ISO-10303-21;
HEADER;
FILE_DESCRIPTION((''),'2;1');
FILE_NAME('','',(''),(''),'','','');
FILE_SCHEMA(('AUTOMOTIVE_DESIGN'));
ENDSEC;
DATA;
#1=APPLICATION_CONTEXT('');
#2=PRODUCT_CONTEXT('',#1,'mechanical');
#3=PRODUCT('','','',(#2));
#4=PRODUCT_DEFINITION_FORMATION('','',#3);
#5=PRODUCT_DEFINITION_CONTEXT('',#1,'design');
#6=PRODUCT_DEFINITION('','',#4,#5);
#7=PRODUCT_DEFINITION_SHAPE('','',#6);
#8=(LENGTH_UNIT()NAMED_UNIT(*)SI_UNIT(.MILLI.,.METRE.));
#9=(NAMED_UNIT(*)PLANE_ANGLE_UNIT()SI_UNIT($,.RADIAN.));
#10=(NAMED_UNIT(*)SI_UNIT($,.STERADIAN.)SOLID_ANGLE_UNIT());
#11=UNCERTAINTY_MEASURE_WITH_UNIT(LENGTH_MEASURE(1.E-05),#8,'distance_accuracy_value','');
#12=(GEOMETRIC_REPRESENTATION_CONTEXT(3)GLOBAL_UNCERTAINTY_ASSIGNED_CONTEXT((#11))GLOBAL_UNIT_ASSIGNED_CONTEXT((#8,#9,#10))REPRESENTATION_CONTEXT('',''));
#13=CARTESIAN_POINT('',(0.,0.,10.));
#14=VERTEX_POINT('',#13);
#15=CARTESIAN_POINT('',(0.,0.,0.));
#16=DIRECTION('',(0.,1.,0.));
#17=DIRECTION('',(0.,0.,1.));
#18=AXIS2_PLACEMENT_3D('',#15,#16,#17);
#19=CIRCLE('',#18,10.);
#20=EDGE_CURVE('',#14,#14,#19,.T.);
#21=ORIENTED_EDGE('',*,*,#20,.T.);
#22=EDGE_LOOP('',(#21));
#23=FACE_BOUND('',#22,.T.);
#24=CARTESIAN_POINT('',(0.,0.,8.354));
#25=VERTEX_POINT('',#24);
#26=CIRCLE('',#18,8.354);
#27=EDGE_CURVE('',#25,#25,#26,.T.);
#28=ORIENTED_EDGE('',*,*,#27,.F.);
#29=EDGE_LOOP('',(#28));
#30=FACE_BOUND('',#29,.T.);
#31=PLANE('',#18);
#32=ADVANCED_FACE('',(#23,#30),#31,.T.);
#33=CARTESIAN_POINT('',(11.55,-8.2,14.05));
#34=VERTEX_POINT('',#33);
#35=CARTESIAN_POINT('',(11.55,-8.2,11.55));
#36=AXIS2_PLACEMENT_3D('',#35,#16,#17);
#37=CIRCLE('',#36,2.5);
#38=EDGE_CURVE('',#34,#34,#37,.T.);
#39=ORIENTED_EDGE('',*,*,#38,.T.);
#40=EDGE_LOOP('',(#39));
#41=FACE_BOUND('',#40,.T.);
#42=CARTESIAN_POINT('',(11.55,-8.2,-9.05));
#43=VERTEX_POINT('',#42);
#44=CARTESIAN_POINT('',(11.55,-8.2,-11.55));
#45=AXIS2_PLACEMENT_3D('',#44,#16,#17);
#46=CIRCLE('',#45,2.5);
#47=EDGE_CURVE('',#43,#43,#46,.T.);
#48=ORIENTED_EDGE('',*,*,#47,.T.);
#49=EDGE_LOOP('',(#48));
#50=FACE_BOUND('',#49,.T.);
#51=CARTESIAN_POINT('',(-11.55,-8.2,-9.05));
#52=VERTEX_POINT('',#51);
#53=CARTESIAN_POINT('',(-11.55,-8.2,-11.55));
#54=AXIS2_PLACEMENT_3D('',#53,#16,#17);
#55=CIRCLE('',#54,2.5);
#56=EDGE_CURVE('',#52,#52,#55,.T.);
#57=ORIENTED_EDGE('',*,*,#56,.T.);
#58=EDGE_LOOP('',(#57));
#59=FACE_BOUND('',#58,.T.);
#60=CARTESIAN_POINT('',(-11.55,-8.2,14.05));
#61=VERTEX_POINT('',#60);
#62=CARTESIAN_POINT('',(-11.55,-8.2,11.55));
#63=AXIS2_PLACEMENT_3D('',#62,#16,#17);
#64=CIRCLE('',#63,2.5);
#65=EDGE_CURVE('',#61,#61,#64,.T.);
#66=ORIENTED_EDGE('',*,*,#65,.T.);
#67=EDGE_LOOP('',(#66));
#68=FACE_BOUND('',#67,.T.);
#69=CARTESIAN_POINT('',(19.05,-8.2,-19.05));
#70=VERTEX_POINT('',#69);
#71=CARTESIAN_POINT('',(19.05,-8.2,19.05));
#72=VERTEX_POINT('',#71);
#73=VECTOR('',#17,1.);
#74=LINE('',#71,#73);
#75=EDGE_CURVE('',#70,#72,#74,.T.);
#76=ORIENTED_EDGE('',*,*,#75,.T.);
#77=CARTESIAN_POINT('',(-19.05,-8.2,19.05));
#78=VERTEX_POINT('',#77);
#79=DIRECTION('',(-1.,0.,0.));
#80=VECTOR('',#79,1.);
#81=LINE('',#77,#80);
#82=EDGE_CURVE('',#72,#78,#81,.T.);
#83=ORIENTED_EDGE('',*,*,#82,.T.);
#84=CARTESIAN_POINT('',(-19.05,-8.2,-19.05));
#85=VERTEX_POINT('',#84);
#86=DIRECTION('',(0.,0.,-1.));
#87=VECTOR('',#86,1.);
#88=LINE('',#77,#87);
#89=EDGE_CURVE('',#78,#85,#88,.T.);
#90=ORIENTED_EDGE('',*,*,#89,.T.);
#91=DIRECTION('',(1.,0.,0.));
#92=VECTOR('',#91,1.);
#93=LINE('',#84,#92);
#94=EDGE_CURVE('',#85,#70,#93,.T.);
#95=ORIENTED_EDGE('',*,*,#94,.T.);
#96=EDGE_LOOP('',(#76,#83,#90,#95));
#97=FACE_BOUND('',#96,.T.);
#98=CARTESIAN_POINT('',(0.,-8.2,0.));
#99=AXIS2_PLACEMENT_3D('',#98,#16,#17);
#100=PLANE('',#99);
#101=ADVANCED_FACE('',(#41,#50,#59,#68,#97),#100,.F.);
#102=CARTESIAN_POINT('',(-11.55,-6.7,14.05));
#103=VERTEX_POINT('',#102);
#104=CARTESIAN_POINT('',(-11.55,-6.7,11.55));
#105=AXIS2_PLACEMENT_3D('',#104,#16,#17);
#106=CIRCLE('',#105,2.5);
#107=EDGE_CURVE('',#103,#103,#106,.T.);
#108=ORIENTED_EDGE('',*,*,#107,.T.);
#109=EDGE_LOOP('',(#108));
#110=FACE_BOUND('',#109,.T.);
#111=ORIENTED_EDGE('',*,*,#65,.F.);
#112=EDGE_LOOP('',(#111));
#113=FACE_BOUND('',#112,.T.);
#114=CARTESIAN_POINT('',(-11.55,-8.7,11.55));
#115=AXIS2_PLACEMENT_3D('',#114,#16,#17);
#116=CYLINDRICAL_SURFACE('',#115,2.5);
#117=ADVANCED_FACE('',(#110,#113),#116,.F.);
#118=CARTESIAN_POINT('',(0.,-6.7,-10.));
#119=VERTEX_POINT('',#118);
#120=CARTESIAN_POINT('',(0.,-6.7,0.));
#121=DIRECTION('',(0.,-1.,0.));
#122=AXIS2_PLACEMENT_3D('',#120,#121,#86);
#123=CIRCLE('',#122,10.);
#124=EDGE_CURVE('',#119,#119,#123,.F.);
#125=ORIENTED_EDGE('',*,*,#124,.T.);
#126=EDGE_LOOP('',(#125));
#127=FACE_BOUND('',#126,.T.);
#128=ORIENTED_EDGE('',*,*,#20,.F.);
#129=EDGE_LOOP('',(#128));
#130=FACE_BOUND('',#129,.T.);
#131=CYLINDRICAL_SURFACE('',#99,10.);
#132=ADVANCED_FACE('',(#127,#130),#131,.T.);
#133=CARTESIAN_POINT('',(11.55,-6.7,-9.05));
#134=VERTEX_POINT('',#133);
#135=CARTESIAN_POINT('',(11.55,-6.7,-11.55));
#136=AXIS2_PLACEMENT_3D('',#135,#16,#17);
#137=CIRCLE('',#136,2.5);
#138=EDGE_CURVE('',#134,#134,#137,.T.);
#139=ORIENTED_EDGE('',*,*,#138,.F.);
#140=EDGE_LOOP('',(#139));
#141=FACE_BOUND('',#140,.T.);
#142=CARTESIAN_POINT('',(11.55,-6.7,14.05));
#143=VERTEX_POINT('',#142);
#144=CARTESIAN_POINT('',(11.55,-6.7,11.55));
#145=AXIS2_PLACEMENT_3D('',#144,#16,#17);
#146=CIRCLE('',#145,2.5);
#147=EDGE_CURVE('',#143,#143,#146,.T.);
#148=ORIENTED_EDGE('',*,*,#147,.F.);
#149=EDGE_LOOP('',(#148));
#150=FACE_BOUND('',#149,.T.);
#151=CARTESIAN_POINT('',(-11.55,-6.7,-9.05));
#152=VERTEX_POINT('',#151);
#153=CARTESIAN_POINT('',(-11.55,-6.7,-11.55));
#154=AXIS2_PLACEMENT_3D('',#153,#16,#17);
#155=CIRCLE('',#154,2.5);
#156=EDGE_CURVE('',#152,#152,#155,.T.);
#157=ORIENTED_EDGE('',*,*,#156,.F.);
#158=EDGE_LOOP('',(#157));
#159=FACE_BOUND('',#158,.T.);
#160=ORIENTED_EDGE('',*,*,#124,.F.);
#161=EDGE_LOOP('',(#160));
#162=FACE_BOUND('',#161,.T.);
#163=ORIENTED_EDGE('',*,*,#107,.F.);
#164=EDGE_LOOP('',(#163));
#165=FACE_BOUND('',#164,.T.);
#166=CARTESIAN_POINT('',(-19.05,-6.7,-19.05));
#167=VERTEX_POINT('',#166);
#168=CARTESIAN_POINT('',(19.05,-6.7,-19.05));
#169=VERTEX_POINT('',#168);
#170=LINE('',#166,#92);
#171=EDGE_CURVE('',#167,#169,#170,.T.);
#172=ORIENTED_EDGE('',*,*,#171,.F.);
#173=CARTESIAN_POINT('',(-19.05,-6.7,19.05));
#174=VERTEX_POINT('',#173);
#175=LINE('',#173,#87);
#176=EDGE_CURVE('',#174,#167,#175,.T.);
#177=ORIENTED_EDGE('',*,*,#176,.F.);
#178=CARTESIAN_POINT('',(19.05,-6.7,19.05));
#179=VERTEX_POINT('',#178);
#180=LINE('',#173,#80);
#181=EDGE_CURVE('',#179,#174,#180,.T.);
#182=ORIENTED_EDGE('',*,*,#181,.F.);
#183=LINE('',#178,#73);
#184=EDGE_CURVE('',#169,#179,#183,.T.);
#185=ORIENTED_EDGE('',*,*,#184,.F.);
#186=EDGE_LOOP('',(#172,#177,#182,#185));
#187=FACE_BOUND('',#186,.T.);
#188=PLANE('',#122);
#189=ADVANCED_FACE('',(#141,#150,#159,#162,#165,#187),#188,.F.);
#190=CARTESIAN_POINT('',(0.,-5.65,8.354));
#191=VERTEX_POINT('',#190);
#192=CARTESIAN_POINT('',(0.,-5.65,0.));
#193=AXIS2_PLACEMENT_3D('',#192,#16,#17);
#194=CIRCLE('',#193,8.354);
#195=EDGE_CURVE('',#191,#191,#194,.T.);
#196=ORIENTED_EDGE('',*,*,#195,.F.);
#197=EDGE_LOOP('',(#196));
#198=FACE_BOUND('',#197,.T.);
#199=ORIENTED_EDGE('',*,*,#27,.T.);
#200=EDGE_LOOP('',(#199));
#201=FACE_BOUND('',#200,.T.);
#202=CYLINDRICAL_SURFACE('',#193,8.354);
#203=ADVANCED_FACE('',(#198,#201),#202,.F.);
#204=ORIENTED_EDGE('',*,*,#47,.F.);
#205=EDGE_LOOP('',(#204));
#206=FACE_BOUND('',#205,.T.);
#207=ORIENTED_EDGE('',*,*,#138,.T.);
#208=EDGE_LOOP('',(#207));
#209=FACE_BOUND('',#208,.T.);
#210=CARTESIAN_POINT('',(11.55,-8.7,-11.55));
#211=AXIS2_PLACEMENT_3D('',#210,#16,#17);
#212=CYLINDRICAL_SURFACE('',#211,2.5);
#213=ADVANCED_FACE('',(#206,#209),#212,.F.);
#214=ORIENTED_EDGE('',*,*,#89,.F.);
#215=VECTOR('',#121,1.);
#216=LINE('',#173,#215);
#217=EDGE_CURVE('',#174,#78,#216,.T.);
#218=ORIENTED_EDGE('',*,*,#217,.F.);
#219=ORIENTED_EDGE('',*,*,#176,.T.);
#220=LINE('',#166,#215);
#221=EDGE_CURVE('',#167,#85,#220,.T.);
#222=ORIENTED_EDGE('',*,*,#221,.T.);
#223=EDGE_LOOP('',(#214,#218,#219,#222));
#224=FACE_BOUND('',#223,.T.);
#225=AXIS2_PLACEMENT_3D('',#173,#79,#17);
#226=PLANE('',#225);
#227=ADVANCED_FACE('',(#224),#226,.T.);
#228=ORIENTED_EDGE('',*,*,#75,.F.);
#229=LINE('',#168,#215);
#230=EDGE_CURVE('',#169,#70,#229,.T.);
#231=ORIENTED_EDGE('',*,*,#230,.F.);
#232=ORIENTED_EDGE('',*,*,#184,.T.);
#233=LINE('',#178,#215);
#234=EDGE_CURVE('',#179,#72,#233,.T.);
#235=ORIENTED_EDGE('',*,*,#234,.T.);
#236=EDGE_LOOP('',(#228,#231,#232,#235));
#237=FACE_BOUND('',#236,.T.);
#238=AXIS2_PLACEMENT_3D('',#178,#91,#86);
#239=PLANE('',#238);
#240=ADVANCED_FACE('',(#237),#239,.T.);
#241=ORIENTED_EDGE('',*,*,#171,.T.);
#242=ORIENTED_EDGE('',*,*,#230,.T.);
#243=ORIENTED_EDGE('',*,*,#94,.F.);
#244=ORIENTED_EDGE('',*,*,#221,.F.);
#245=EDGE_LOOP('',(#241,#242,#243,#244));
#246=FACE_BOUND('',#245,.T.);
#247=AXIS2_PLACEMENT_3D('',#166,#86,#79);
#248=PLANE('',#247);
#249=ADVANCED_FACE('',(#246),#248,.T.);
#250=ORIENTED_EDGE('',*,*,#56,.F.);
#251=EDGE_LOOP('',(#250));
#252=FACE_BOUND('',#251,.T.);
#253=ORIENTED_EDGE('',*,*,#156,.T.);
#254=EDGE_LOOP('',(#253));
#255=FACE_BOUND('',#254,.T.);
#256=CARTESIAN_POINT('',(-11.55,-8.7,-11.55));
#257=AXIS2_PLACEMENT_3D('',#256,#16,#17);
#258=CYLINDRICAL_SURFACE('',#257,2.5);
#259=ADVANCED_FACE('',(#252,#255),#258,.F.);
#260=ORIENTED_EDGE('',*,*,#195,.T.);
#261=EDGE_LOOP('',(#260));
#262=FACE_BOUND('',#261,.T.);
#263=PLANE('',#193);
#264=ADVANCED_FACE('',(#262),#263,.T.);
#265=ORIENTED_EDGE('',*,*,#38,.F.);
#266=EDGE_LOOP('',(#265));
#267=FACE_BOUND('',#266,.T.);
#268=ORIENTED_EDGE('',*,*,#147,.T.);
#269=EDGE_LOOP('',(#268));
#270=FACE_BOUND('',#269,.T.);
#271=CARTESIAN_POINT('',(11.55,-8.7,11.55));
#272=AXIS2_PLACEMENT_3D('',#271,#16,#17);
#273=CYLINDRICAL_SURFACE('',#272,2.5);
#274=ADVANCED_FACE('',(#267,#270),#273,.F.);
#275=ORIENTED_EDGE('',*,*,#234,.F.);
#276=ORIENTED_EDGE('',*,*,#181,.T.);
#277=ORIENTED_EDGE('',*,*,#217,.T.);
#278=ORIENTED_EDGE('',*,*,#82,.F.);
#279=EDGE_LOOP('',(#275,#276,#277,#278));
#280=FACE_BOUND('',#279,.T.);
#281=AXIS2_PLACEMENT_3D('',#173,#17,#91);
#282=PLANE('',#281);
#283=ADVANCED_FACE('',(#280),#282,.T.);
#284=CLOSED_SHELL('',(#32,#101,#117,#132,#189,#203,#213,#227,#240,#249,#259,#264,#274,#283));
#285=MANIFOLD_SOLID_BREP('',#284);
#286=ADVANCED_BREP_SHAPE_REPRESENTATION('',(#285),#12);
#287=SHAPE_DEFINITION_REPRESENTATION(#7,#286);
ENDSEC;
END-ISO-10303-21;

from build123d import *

# Parameters (mm, degrees)
ESQUISSE1_R             = 10
BOSS_EXTRU_1_DEPTH      = 8.2
ESQUISSE2_R             = 8.354
ENL_V_MAT_EXTRU_1_DEPTH = 5.65
ESQUISSE3_W             = 38.1
ESQUISSE3_H             = 38.1
BOSS_EXTRU_3_DEPTH      = 1.5
ESQUISSE4_R             = 2.5
ENL_V_MAT_EXTRU_2_DEPTH = 2


with BuildPart() as part:
    # Esquisse1 → Boss.-Extru.1 (new body)
    with BuildSketch(Plane(origin=(0, 0, 0), x_dir=(1, 0, 0), z_dir=(0, 1, 0))):
        Circle(ESQUISSE1_R)
    extrude(amount=-BOSS_EXTRU_1_DEPTH)

    # Esquisse2 → Enlèv. mat.-Extru.1 (cut)
    with BuildSketch(Plane(origin=(0, 0, 0), x_dir=(1, 0, 0), z_dir=(0, 1, 0))):
        Circle(ESQUISSE2_R)
    extrude(amount=-ENL_V_MAT_EXTRU_1_DEPTH, mode=Mode.SUBTRACT)

    # Esquisse3 → Boss.-Extru.3 (add)
    with BuildSketch(Plane(origin=(0, -8.2, 0), x_dir=(-1, 0, 0), z_dir=(0, -1, 0))):
        Rectangle(ESQUISSE3_W, ESQUISSE3_H)
    extrude(amount=-BOSS_EXTRU_3_DEPTH)

    # Esquisse4 → Enlèv. mat.-Extru.2 (cut)
    with BuildSketch(Plane(origin=(0, -6.7, 0), x_dir=(1, 0, 0), z_dir=(0, 1, 0))):
        with Locations((-11.55, 11.55)):
            Circle(ESQUISSE4_R)
        with Locations((11.55, 11.55)):
            Circle(ESQUISSE4_R)
        with Locations((11.55, -11.55)):
            Circle(ESQUISSE4_R)
        with Locations((-11.55, -11.55)):
            Circle(ESQUISSE4_R)
    extrude(amount=-ENL_V_MAT_EXTRU_2_DEPTH, mode=Mode.SUBTRACT)


solid = part.part
